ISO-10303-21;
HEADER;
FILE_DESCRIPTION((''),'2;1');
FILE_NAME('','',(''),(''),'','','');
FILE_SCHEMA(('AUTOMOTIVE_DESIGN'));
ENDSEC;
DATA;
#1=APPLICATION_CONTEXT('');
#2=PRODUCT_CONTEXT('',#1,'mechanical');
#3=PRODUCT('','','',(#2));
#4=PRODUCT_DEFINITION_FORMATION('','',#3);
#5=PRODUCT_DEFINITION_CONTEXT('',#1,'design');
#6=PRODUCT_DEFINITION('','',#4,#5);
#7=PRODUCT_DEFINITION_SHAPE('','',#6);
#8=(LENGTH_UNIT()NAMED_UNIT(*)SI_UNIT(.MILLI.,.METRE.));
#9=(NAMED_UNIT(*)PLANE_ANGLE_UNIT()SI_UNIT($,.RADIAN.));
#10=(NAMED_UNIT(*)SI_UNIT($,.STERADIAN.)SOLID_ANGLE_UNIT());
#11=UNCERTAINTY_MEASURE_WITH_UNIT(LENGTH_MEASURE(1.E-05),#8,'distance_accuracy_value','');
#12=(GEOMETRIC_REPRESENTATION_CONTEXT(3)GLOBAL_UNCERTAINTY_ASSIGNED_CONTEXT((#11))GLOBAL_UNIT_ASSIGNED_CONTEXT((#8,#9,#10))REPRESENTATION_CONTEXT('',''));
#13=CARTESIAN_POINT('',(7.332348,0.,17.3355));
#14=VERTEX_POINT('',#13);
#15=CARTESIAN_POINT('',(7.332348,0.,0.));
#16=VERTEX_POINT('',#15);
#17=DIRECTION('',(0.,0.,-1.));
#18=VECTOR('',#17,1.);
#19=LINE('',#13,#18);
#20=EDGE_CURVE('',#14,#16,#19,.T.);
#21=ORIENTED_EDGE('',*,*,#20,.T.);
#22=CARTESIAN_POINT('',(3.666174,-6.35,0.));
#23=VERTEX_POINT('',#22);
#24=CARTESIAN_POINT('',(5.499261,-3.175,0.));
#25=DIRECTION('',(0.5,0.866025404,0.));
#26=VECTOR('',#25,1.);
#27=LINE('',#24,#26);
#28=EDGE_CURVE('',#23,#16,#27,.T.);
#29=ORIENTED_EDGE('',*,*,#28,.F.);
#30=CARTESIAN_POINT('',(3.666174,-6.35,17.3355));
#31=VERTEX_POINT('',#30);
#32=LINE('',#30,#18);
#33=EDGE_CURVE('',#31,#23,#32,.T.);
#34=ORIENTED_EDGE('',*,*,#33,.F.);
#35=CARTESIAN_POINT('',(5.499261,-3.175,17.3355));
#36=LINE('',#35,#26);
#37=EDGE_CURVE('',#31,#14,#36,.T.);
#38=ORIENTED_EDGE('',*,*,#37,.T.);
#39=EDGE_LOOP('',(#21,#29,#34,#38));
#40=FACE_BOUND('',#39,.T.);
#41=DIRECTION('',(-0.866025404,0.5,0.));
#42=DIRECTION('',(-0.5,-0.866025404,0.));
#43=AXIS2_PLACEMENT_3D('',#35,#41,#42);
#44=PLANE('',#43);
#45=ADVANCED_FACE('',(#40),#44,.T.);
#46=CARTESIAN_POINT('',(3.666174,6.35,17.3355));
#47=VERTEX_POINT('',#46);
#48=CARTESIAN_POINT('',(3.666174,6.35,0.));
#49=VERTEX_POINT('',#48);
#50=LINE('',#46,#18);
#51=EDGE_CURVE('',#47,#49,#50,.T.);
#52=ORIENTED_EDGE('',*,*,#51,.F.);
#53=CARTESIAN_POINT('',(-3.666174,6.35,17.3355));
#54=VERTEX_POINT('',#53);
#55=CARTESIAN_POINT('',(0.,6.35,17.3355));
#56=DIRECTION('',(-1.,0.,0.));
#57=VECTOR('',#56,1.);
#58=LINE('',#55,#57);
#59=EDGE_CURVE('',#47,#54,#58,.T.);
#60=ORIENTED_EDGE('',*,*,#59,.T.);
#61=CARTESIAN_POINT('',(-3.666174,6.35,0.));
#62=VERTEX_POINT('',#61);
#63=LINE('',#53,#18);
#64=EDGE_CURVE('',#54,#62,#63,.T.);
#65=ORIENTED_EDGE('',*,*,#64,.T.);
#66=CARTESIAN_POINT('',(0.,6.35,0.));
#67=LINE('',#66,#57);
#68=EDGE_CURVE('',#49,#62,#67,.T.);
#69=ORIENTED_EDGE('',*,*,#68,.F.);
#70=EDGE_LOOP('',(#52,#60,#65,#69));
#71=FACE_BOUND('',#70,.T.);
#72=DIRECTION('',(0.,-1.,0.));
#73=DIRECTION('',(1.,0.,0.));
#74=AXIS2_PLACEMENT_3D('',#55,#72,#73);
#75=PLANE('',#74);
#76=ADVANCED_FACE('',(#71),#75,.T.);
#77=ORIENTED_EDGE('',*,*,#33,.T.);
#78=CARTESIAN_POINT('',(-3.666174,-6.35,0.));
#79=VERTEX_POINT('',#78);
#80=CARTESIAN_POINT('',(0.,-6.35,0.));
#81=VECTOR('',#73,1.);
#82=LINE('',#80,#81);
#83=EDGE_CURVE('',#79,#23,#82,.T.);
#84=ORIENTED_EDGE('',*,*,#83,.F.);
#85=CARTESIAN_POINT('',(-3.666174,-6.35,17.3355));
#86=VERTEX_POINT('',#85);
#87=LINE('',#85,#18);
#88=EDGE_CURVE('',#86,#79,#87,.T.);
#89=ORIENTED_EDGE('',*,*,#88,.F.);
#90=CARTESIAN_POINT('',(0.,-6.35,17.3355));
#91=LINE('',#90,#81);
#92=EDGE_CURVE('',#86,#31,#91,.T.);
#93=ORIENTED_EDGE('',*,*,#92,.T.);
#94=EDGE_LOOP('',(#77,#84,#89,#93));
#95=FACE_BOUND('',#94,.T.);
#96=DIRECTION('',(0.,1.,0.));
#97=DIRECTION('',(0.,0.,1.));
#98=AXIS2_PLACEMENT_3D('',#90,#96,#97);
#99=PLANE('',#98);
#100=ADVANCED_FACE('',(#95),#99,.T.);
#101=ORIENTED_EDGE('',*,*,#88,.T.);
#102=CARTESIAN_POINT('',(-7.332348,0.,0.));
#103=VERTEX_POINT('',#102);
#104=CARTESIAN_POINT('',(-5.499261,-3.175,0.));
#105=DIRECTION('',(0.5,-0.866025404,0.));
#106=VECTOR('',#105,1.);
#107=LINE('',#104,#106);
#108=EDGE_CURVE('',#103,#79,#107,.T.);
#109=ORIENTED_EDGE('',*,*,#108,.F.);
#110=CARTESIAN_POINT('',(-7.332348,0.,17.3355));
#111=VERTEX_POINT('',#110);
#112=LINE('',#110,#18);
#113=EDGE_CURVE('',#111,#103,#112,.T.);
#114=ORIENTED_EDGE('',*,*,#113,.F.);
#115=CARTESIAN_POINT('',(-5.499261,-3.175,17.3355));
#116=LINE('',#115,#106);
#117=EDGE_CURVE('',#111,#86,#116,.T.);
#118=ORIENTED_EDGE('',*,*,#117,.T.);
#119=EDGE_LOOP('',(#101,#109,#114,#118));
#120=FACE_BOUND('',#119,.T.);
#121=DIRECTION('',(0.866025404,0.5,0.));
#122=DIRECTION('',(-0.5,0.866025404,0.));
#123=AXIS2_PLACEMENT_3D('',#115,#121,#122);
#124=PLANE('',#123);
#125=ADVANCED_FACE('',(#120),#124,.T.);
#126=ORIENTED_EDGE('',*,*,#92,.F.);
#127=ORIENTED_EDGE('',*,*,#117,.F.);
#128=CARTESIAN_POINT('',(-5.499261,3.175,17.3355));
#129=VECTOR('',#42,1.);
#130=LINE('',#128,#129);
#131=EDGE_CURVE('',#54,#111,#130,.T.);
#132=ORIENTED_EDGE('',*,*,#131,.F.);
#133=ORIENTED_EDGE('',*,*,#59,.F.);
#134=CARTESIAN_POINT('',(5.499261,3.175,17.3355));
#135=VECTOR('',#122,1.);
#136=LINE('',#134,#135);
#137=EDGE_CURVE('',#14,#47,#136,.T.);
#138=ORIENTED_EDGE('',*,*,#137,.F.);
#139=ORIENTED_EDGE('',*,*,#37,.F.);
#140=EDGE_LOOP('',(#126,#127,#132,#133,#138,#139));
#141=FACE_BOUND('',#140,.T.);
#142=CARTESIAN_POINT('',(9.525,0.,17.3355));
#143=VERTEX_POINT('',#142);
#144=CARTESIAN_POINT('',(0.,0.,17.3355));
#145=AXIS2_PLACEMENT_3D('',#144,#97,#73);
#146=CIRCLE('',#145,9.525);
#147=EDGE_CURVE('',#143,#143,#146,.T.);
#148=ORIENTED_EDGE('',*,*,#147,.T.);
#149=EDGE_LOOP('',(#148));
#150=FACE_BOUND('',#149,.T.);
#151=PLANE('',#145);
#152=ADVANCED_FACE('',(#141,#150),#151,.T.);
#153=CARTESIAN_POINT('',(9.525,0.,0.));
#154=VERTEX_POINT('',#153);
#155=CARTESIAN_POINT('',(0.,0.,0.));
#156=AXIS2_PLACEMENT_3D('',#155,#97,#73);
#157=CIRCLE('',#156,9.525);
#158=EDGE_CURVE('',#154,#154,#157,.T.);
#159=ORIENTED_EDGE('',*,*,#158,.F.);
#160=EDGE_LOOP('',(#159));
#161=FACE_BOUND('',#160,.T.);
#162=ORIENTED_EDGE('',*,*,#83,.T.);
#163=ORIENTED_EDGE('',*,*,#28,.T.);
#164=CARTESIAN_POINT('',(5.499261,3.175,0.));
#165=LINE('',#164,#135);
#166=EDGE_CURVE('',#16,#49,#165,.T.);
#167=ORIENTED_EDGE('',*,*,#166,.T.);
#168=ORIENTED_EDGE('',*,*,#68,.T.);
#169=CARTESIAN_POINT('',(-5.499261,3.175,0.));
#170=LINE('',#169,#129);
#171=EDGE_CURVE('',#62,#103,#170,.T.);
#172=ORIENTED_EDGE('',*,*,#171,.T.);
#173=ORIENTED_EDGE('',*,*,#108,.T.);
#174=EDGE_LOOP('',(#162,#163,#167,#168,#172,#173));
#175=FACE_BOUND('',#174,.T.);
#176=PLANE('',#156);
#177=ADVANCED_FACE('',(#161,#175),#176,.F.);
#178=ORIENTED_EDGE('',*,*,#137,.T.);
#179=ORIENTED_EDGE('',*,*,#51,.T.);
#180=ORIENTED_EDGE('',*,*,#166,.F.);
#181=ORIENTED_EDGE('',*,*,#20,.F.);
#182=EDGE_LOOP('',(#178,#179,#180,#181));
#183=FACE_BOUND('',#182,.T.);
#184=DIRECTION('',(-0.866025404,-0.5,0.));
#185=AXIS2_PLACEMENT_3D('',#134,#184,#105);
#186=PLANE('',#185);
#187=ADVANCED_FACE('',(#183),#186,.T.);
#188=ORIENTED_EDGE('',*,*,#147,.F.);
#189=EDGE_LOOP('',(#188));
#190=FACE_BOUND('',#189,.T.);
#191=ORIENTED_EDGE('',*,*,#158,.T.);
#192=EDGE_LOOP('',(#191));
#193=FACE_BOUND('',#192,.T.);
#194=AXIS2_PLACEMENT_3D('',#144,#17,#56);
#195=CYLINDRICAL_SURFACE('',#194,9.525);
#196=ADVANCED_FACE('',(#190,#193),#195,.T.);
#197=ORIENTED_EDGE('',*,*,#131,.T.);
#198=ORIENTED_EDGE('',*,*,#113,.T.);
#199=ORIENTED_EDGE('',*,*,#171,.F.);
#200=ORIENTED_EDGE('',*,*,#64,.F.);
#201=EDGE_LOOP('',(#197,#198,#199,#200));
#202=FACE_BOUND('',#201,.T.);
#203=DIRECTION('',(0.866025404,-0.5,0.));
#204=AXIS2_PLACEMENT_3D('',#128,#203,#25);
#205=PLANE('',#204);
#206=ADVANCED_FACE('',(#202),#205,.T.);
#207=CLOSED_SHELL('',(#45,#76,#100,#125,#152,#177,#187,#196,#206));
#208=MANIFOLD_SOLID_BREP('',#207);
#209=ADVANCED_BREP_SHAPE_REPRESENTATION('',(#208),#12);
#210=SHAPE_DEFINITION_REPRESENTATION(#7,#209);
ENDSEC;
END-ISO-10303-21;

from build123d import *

# Parameters (mm, degrees)
SKETCH1_R           = 9.525
BOSS_EXTRUDE1_DEPTH = 17.3355


with BuildPart() as part:
    # Sketch1 → Boss-Extrude1 (new body)
    with BuildSketch(Plane.XY):
        Circle(SKETCH1_R)
        Polygon((7.332348419, 0), (3.666174209, 6.35), (-3.666174209, 6.35), (-7.332348419, 0), (-3.666174209, -6.35), (3.666174209, -6.35), align=None, mode=Mode.SUBTRACT)
    extrude(amount=BOSS_EXTRUDE1_DEPTH)


solid = part.part
